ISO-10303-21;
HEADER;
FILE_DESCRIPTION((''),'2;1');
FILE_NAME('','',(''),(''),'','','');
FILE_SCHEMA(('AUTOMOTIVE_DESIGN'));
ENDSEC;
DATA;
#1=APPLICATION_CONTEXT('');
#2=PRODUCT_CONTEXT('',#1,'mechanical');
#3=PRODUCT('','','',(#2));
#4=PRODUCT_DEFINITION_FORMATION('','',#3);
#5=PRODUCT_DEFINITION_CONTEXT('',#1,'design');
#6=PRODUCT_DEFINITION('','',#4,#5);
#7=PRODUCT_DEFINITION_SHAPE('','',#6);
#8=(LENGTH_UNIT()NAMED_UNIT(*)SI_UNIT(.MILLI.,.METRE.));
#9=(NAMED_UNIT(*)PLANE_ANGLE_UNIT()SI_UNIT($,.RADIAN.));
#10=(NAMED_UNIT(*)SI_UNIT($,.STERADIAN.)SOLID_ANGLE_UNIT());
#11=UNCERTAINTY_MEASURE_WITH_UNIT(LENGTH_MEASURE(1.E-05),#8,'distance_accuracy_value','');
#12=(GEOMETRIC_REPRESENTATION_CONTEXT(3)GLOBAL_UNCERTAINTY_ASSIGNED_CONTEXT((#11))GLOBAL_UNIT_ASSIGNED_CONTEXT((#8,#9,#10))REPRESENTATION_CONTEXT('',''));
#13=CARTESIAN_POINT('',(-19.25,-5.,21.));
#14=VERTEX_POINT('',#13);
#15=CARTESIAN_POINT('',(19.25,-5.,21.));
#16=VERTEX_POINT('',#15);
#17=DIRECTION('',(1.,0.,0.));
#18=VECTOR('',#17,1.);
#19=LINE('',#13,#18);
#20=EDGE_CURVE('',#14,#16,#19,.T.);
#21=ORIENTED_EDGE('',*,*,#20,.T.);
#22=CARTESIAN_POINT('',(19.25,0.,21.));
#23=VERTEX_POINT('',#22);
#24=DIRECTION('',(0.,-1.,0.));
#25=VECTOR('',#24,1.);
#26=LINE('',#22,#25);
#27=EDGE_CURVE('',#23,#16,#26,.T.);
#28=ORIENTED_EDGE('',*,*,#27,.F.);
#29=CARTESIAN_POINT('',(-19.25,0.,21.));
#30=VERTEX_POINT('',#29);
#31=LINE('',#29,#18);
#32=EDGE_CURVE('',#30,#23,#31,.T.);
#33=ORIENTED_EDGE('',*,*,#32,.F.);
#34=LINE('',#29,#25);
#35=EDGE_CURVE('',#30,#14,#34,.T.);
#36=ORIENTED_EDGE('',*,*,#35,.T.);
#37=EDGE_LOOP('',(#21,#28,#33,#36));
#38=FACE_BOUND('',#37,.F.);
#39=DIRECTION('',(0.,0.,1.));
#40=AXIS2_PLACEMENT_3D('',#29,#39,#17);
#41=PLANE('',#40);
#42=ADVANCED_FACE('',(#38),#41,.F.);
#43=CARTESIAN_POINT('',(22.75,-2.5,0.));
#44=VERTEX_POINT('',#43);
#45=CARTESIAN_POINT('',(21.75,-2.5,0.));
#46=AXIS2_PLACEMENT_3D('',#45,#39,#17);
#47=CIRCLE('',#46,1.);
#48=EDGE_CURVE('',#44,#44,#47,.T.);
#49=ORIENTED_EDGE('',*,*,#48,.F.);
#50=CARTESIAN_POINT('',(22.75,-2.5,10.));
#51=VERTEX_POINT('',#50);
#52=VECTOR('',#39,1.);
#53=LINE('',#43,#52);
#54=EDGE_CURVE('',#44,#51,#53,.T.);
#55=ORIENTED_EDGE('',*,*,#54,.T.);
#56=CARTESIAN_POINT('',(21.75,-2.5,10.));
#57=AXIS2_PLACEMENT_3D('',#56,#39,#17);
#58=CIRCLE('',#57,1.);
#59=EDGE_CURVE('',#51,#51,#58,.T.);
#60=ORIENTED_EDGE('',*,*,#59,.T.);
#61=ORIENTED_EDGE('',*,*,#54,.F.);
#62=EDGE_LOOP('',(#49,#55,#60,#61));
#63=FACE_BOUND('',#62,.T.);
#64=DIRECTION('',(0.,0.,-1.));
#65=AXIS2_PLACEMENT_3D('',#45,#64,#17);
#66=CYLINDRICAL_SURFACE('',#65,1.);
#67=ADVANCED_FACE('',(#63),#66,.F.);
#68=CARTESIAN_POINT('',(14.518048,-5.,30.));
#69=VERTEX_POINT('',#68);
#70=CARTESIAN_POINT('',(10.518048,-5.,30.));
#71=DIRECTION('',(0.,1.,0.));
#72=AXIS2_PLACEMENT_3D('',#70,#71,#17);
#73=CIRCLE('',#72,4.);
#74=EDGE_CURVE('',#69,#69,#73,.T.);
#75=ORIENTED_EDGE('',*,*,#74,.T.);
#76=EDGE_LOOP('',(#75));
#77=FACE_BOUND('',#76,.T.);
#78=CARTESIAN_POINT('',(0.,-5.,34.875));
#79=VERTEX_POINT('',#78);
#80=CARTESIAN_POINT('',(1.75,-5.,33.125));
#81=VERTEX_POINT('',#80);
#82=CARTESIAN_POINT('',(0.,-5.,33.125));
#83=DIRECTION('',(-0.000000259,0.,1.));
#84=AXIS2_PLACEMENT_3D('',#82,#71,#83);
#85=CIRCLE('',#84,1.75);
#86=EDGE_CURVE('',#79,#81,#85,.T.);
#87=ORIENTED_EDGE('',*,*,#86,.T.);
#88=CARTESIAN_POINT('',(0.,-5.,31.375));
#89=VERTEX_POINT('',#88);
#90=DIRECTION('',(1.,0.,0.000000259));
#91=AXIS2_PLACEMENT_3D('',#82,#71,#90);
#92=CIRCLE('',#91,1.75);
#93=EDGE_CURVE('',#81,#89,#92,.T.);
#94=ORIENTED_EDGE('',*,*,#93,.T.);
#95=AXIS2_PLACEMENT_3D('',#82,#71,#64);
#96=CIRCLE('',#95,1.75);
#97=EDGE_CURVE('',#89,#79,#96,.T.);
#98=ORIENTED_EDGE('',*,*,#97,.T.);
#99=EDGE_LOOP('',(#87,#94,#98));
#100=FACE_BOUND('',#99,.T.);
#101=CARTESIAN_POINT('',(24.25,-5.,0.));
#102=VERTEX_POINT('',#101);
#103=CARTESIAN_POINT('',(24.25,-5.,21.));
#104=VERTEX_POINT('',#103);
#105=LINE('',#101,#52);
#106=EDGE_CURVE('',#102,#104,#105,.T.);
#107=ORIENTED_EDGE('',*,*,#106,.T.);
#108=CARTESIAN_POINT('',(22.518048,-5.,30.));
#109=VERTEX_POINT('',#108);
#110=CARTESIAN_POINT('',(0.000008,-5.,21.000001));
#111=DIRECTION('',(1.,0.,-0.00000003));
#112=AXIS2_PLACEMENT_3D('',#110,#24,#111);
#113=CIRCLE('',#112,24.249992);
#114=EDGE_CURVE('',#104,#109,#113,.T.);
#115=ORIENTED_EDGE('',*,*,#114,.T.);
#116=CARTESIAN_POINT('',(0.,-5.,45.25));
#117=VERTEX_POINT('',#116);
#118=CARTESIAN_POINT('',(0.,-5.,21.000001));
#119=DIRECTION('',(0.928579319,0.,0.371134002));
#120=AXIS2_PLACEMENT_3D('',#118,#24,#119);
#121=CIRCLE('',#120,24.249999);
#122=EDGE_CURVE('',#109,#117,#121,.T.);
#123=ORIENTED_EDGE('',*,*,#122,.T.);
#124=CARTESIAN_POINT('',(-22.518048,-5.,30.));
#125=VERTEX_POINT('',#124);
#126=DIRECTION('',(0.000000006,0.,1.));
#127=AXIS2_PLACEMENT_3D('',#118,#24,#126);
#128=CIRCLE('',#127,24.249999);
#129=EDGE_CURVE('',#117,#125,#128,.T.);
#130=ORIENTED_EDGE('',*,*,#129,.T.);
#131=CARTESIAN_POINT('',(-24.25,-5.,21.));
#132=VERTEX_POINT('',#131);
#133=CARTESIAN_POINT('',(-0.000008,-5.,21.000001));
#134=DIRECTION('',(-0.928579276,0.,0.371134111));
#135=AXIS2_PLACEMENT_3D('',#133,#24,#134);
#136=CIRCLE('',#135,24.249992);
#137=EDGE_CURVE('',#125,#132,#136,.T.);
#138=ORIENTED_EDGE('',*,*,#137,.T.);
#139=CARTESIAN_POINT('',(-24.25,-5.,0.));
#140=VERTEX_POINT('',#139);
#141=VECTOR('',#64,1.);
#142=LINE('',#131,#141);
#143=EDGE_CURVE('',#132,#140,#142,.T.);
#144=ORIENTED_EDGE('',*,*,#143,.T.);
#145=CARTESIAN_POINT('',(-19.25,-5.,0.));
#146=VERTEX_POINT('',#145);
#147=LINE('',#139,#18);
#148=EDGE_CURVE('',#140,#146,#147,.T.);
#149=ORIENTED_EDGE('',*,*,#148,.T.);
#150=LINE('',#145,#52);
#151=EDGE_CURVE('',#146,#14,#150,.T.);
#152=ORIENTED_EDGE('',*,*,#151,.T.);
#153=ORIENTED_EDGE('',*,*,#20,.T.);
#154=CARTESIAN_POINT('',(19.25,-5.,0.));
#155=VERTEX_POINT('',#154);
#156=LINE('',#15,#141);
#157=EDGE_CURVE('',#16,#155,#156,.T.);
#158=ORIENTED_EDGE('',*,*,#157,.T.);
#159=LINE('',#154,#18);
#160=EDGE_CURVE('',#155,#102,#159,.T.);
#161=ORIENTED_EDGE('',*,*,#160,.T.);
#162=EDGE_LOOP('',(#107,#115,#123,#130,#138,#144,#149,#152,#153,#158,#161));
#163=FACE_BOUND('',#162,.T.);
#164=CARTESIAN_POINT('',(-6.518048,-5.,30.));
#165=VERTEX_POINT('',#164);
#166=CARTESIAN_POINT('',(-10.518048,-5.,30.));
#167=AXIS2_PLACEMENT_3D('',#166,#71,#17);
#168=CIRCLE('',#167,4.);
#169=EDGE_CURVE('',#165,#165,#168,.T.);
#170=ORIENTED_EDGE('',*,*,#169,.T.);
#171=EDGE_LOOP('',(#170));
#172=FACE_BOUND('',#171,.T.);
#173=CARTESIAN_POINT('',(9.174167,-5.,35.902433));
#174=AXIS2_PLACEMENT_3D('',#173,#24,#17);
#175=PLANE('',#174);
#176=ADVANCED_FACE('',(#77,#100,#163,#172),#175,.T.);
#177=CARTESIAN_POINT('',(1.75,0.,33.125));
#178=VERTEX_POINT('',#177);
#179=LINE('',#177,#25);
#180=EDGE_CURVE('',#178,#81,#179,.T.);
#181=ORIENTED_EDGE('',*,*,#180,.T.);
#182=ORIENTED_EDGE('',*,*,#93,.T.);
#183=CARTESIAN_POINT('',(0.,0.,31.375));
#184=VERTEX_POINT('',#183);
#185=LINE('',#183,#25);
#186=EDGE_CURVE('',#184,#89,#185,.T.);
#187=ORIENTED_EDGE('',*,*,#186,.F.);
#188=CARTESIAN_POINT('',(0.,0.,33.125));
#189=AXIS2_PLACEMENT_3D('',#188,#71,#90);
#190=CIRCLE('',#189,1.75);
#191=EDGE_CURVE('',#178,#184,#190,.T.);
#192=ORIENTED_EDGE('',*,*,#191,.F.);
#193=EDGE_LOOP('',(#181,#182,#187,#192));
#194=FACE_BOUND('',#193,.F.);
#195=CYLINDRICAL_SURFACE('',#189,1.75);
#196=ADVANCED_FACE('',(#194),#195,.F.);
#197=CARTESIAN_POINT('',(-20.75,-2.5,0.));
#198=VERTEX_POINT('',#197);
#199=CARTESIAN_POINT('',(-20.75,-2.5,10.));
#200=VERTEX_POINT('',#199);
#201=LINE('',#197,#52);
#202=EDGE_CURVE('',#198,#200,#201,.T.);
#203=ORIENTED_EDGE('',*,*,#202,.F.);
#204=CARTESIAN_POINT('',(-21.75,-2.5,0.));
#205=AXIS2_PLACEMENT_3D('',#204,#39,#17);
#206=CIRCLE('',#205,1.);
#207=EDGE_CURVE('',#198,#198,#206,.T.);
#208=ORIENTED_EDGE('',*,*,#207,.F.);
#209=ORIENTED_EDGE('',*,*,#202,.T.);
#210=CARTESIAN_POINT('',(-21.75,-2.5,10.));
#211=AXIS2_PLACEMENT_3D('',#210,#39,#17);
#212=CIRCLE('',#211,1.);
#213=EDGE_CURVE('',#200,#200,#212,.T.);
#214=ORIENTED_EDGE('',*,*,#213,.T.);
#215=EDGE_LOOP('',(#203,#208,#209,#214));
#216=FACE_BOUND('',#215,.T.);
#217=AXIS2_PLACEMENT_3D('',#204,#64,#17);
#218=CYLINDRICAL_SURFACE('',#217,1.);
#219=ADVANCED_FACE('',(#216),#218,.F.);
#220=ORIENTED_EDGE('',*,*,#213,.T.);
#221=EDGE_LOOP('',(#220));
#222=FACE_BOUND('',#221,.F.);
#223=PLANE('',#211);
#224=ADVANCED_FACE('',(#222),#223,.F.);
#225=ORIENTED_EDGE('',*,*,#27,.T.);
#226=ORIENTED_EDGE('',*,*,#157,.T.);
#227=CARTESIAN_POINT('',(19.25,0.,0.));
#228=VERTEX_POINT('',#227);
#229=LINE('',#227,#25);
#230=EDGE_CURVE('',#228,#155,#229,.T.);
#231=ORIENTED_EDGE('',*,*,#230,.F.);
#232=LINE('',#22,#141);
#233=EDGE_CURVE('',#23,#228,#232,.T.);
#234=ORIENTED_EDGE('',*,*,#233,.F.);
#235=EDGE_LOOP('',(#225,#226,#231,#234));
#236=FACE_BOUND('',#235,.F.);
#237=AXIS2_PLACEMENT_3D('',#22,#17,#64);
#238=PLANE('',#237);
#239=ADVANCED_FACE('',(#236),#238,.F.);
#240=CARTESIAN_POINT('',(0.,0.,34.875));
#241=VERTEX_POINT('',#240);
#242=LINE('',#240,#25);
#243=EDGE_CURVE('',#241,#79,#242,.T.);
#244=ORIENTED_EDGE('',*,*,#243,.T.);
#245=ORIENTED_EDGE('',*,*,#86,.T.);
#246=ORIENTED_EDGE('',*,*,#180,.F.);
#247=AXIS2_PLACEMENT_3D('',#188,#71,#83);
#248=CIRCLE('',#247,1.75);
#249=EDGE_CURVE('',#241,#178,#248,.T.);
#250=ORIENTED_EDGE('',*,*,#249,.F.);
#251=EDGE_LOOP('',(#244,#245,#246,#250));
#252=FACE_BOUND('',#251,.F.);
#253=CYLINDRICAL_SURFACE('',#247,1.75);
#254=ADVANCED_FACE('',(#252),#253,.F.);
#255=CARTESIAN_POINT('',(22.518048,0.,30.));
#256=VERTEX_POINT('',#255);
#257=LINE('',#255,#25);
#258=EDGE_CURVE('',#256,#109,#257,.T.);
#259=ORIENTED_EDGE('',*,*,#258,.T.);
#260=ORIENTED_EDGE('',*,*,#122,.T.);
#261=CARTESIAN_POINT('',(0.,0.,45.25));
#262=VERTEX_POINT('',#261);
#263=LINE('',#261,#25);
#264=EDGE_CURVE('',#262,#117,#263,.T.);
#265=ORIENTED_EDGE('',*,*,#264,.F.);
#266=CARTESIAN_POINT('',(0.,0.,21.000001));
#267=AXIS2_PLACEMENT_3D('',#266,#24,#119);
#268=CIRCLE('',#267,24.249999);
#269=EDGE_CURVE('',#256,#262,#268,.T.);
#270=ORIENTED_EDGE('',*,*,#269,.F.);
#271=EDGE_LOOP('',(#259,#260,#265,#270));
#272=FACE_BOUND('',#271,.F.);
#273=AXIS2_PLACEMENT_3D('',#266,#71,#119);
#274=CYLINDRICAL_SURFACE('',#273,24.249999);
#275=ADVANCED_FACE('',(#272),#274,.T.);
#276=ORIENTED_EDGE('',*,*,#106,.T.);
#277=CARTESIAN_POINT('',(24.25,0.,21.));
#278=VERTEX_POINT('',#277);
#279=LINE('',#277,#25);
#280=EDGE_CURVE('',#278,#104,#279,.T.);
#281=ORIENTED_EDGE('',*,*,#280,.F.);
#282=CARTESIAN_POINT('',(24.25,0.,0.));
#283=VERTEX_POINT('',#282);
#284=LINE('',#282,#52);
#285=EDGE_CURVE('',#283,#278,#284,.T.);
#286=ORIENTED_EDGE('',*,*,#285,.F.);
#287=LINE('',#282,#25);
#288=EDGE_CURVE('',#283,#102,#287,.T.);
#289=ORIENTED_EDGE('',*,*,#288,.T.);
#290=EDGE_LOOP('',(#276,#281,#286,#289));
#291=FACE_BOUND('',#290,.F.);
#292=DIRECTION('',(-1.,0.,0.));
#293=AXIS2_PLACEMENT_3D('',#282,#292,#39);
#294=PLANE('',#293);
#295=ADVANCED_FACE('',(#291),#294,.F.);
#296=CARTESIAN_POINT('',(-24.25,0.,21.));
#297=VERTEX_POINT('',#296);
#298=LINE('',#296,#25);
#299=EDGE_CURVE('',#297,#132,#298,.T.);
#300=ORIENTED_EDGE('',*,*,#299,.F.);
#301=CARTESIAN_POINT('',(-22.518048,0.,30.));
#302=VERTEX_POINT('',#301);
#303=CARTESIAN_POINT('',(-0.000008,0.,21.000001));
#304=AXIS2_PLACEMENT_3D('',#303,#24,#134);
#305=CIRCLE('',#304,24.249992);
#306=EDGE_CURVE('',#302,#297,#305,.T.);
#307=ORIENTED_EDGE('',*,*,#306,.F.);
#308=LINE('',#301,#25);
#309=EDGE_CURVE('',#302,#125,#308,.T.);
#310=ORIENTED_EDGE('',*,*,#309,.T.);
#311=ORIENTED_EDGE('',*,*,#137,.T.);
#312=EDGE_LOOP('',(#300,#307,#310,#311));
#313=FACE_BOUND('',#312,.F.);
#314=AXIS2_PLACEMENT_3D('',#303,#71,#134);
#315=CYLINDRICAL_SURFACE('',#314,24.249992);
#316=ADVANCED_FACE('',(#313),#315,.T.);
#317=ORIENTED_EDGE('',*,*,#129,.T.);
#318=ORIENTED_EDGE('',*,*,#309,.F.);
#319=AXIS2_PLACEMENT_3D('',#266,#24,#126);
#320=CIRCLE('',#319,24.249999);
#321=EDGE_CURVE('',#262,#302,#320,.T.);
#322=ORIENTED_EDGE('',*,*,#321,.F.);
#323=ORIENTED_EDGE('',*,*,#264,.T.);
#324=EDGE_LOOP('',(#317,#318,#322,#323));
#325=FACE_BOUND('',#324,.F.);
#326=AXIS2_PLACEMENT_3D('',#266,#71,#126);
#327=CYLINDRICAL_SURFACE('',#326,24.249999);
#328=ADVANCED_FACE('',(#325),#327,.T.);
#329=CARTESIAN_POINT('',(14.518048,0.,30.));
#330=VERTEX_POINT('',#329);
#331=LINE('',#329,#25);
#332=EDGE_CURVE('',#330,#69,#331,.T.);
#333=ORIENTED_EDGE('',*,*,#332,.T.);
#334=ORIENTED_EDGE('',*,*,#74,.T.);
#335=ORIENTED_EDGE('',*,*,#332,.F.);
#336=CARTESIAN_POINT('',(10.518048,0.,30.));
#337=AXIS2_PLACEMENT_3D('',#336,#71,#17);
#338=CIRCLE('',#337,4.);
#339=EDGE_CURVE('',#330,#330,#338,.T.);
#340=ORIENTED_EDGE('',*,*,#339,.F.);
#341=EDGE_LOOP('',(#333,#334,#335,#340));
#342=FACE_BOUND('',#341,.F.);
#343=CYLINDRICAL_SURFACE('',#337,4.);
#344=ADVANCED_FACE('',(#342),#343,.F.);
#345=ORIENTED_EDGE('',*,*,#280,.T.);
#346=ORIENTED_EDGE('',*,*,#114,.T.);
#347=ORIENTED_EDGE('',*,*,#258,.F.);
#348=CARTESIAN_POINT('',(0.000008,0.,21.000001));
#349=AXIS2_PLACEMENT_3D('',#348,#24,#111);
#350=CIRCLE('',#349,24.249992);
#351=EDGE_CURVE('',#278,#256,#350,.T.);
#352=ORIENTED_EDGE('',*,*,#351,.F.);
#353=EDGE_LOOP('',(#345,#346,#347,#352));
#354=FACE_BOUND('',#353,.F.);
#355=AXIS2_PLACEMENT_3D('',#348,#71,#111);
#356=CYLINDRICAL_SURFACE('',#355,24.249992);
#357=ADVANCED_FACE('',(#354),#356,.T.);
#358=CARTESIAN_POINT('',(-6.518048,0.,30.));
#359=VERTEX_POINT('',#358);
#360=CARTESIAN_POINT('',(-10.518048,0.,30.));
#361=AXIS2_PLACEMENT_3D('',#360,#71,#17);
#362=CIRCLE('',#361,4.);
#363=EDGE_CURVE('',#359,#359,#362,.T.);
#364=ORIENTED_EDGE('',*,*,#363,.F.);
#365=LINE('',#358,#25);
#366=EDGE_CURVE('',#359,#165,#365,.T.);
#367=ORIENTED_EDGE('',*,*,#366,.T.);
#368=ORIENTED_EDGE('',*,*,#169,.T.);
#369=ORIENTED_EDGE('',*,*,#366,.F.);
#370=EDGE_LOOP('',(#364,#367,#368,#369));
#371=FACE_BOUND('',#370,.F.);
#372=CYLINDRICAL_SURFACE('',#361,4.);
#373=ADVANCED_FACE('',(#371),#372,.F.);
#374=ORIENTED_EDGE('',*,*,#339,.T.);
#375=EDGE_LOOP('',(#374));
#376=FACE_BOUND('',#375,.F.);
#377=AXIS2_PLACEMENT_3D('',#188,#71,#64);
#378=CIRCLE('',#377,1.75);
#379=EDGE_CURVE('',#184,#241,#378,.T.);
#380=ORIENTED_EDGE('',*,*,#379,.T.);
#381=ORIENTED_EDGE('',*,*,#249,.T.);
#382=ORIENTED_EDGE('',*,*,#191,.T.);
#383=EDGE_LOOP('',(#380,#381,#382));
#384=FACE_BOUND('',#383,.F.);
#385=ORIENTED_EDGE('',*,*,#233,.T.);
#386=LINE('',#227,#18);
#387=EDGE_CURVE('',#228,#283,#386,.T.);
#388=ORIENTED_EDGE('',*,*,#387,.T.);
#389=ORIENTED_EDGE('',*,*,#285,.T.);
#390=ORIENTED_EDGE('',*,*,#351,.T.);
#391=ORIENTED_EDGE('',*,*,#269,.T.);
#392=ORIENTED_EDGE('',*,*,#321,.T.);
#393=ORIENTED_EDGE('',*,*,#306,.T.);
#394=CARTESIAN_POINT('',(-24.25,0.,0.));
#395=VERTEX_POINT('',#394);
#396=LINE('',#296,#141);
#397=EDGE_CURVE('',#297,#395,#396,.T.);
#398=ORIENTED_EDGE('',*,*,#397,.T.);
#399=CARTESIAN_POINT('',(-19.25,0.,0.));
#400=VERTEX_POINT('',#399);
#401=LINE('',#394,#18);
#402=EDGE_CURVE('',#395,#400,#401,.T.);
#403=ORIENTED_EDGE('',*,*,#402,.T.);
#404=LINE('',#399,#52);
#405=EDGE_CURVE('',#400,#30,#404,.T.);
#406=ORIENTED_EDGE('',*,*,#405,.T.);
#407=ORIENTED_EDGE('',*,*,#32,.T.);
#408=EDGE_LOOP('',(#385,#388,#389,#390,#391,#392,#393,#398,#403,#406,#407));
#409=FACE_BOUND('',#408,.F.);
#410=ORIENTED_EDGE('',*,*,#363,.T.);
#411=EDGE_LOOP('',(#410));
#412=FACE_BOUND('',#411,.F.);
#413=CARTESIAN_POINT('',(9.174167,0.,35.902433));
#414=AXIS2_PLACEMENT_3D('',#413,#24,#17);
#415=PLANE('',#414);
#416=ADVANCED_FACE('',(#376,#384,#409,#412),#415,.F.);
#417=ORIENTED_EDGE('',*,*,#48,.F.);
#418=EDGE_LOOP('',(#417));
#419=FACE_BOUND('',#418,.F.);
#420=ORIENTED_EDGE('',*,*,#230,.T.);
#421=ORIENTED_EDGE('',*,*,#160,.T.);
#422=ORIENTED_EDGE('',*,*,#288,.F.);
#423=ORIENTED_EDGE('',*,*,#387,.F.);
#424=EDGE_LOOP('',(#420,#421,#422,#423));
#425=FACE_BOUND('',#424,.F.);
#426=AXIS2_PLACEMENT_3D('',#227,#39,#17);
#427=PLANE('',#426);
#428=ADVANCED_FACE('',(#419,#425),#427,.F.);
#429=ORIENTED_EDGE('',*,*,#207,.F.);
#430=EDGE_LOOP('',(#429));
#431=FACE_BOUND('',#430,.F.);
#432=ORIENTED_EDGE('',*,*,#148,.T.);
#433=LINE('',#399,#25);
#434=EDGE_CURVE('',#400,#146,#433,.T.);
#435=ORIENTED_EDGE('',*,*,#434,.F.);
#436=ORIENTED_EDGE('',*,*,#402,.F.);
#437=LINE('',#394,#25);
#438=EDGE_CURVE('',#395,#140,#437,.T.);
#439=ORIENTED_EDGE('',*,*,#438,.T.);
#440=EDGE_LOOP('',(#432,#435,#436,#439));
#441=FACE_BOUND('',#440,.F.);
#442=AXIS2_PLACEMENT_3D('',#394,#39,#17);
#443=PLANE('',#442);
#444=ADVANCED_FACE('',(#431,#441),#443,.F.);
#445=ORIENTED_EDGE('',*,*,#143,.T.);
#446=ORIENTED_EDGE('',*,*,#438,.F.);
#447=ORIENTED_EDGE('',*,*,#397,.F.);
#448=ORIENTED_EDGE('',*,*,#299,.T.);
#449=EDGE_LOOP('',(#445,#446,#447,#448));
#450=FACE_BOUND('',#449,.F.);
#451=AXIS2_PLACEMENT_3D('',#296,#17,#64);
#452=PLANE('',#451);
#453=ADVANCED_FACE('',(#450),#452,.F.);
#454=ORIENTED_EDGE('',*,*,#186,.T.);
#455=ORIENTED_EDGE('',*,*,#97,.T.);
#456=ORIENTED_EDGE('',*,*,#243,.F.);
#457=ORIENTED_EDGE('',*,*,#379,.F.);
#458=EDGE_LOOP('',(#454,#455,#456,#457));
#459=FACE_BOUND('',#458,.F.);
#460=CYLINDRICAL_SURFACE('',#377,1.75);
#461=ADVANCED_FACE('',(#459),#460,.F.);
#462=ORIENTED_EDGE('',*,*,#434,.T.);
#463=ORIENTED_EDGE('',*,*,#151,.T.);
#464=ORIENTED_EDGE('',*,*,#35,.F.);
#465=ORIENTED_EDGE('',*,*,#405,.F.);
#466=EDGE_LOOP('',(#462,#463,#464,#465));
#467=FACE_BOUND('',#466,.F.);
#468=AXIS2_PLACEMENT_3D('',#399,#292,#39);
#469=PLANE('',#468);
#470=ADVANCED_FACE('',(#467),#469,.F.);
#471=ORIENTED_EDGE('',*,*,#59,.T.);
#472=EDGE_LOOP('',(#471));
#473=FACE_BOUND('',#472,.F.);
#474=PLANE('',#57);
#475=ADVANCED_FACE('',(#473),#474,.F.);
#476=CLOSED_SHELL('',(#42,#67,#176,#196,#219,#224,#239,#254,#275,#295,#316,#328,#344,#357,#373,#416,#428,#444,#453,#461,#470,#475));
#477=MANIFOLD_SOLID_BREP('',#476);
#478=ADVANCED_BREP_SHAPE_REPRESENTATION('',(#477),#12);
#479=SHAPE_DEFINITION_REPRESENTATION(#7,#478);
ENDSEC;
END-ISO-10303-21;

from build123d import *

# Parameters (mm, degrees)
F1_DEPTH = 5
F2_R     = 1
F3_DEPTH = 10


with BuildPart() as f1:
    # F0 (on Front) → F1 (new body)
    with BuildSketch(Plane.XZ):
        with BuildLine():
            ThreePointArc((22.518048, 30), (13.598024, 41.078751), (0, 45.25))
            Line((0, 45.25), (0, 34.875))
            ThreePointArc((0, 34.875), (1.237437, 34.362437), (1.75, 33.125))
            ThreePointArc((1.75, 33.125), (1.237437, 31.887563), (0, 31.375))
            Line((0, 31.375), (0, 30))
            Line((0, 30), (6.518048, 30))
            ThreePointArc((6.518048, 30), (10.518048, 34), (14.518048, 30))
            Line((14.518048, 30), (22.518048, 30))
        make_face()
        with BuildLine():
            ThreePointArc((0, 45.25), (-13.598024, 41.078751), (-22.518048, 30))
            Line((-22.518048, 30), (-14.518048, 30))
            ThreePointArc((-14.518048, 30), (-10.518048, 34), (-6.518048, 30))
            Line((-6.518048, 30), (0, 30))
            Line((0, 30), (0, 31.375))
            ThreePointArc((0, 31.375), (-1.75, 33.125), (0, 34.875))
            Line((0, 34.875), (0, 45.25))
        make_face()
        with BuildLine():
            Line((0, 30), (0, 21))
            Line((0, 21), (19.25, 21))
            Line((19.25, 21), (19.25, 0))
            Line((19.25, 0), (24.25, 0))
            Line((24.25, 0), (24.25, 21))
            ThreePointArc((24.25, 21), (23.813076, 25.582566), (22.518048, 30))
            Line((22.518048, 30), (14.518048, 30))
            ThreePointArc((14.518048, 30), (10.518048, 26), (6.518048, 30))
            Line((6.518048, 30), (0, 30))
        make_face()
        with BuildLine():
            Line((-24.25, 21), (-24.25, 0))
            Line((-24.25, 0), (-19.25, 0))
            Line((-19.25, 0), (-19.25, 21))
            Line((-19.25, 21), (0, 21))
            Line((0, 21), (0, 30))
            Line((0, 30), (-6.518048, 30))
            ThreePointArc((-6.518048, 30), (-10.518048, 26), (-14.518048, 30))
            Line((-14.518048, 30), (-22.518048, 30))
            ThreePointArc((-22.518048, 30), (-23.813076, 25.582566), (-24.25, 21))
        make_face()
    extrude(amount=F1_DEPTH)

    # F2 (on Top) → F3 (cut)
    with BuildSketch(Plane.XY):
        with Locations((21.75, -2.5)):
            Circle(F2_R)
        with Locations((-21.75, -2.5)):
            Circle(F2_R)
    extrude(amount=F3_DEPTH, mode=Mode.SUBTRACT)


solid = f1.part
